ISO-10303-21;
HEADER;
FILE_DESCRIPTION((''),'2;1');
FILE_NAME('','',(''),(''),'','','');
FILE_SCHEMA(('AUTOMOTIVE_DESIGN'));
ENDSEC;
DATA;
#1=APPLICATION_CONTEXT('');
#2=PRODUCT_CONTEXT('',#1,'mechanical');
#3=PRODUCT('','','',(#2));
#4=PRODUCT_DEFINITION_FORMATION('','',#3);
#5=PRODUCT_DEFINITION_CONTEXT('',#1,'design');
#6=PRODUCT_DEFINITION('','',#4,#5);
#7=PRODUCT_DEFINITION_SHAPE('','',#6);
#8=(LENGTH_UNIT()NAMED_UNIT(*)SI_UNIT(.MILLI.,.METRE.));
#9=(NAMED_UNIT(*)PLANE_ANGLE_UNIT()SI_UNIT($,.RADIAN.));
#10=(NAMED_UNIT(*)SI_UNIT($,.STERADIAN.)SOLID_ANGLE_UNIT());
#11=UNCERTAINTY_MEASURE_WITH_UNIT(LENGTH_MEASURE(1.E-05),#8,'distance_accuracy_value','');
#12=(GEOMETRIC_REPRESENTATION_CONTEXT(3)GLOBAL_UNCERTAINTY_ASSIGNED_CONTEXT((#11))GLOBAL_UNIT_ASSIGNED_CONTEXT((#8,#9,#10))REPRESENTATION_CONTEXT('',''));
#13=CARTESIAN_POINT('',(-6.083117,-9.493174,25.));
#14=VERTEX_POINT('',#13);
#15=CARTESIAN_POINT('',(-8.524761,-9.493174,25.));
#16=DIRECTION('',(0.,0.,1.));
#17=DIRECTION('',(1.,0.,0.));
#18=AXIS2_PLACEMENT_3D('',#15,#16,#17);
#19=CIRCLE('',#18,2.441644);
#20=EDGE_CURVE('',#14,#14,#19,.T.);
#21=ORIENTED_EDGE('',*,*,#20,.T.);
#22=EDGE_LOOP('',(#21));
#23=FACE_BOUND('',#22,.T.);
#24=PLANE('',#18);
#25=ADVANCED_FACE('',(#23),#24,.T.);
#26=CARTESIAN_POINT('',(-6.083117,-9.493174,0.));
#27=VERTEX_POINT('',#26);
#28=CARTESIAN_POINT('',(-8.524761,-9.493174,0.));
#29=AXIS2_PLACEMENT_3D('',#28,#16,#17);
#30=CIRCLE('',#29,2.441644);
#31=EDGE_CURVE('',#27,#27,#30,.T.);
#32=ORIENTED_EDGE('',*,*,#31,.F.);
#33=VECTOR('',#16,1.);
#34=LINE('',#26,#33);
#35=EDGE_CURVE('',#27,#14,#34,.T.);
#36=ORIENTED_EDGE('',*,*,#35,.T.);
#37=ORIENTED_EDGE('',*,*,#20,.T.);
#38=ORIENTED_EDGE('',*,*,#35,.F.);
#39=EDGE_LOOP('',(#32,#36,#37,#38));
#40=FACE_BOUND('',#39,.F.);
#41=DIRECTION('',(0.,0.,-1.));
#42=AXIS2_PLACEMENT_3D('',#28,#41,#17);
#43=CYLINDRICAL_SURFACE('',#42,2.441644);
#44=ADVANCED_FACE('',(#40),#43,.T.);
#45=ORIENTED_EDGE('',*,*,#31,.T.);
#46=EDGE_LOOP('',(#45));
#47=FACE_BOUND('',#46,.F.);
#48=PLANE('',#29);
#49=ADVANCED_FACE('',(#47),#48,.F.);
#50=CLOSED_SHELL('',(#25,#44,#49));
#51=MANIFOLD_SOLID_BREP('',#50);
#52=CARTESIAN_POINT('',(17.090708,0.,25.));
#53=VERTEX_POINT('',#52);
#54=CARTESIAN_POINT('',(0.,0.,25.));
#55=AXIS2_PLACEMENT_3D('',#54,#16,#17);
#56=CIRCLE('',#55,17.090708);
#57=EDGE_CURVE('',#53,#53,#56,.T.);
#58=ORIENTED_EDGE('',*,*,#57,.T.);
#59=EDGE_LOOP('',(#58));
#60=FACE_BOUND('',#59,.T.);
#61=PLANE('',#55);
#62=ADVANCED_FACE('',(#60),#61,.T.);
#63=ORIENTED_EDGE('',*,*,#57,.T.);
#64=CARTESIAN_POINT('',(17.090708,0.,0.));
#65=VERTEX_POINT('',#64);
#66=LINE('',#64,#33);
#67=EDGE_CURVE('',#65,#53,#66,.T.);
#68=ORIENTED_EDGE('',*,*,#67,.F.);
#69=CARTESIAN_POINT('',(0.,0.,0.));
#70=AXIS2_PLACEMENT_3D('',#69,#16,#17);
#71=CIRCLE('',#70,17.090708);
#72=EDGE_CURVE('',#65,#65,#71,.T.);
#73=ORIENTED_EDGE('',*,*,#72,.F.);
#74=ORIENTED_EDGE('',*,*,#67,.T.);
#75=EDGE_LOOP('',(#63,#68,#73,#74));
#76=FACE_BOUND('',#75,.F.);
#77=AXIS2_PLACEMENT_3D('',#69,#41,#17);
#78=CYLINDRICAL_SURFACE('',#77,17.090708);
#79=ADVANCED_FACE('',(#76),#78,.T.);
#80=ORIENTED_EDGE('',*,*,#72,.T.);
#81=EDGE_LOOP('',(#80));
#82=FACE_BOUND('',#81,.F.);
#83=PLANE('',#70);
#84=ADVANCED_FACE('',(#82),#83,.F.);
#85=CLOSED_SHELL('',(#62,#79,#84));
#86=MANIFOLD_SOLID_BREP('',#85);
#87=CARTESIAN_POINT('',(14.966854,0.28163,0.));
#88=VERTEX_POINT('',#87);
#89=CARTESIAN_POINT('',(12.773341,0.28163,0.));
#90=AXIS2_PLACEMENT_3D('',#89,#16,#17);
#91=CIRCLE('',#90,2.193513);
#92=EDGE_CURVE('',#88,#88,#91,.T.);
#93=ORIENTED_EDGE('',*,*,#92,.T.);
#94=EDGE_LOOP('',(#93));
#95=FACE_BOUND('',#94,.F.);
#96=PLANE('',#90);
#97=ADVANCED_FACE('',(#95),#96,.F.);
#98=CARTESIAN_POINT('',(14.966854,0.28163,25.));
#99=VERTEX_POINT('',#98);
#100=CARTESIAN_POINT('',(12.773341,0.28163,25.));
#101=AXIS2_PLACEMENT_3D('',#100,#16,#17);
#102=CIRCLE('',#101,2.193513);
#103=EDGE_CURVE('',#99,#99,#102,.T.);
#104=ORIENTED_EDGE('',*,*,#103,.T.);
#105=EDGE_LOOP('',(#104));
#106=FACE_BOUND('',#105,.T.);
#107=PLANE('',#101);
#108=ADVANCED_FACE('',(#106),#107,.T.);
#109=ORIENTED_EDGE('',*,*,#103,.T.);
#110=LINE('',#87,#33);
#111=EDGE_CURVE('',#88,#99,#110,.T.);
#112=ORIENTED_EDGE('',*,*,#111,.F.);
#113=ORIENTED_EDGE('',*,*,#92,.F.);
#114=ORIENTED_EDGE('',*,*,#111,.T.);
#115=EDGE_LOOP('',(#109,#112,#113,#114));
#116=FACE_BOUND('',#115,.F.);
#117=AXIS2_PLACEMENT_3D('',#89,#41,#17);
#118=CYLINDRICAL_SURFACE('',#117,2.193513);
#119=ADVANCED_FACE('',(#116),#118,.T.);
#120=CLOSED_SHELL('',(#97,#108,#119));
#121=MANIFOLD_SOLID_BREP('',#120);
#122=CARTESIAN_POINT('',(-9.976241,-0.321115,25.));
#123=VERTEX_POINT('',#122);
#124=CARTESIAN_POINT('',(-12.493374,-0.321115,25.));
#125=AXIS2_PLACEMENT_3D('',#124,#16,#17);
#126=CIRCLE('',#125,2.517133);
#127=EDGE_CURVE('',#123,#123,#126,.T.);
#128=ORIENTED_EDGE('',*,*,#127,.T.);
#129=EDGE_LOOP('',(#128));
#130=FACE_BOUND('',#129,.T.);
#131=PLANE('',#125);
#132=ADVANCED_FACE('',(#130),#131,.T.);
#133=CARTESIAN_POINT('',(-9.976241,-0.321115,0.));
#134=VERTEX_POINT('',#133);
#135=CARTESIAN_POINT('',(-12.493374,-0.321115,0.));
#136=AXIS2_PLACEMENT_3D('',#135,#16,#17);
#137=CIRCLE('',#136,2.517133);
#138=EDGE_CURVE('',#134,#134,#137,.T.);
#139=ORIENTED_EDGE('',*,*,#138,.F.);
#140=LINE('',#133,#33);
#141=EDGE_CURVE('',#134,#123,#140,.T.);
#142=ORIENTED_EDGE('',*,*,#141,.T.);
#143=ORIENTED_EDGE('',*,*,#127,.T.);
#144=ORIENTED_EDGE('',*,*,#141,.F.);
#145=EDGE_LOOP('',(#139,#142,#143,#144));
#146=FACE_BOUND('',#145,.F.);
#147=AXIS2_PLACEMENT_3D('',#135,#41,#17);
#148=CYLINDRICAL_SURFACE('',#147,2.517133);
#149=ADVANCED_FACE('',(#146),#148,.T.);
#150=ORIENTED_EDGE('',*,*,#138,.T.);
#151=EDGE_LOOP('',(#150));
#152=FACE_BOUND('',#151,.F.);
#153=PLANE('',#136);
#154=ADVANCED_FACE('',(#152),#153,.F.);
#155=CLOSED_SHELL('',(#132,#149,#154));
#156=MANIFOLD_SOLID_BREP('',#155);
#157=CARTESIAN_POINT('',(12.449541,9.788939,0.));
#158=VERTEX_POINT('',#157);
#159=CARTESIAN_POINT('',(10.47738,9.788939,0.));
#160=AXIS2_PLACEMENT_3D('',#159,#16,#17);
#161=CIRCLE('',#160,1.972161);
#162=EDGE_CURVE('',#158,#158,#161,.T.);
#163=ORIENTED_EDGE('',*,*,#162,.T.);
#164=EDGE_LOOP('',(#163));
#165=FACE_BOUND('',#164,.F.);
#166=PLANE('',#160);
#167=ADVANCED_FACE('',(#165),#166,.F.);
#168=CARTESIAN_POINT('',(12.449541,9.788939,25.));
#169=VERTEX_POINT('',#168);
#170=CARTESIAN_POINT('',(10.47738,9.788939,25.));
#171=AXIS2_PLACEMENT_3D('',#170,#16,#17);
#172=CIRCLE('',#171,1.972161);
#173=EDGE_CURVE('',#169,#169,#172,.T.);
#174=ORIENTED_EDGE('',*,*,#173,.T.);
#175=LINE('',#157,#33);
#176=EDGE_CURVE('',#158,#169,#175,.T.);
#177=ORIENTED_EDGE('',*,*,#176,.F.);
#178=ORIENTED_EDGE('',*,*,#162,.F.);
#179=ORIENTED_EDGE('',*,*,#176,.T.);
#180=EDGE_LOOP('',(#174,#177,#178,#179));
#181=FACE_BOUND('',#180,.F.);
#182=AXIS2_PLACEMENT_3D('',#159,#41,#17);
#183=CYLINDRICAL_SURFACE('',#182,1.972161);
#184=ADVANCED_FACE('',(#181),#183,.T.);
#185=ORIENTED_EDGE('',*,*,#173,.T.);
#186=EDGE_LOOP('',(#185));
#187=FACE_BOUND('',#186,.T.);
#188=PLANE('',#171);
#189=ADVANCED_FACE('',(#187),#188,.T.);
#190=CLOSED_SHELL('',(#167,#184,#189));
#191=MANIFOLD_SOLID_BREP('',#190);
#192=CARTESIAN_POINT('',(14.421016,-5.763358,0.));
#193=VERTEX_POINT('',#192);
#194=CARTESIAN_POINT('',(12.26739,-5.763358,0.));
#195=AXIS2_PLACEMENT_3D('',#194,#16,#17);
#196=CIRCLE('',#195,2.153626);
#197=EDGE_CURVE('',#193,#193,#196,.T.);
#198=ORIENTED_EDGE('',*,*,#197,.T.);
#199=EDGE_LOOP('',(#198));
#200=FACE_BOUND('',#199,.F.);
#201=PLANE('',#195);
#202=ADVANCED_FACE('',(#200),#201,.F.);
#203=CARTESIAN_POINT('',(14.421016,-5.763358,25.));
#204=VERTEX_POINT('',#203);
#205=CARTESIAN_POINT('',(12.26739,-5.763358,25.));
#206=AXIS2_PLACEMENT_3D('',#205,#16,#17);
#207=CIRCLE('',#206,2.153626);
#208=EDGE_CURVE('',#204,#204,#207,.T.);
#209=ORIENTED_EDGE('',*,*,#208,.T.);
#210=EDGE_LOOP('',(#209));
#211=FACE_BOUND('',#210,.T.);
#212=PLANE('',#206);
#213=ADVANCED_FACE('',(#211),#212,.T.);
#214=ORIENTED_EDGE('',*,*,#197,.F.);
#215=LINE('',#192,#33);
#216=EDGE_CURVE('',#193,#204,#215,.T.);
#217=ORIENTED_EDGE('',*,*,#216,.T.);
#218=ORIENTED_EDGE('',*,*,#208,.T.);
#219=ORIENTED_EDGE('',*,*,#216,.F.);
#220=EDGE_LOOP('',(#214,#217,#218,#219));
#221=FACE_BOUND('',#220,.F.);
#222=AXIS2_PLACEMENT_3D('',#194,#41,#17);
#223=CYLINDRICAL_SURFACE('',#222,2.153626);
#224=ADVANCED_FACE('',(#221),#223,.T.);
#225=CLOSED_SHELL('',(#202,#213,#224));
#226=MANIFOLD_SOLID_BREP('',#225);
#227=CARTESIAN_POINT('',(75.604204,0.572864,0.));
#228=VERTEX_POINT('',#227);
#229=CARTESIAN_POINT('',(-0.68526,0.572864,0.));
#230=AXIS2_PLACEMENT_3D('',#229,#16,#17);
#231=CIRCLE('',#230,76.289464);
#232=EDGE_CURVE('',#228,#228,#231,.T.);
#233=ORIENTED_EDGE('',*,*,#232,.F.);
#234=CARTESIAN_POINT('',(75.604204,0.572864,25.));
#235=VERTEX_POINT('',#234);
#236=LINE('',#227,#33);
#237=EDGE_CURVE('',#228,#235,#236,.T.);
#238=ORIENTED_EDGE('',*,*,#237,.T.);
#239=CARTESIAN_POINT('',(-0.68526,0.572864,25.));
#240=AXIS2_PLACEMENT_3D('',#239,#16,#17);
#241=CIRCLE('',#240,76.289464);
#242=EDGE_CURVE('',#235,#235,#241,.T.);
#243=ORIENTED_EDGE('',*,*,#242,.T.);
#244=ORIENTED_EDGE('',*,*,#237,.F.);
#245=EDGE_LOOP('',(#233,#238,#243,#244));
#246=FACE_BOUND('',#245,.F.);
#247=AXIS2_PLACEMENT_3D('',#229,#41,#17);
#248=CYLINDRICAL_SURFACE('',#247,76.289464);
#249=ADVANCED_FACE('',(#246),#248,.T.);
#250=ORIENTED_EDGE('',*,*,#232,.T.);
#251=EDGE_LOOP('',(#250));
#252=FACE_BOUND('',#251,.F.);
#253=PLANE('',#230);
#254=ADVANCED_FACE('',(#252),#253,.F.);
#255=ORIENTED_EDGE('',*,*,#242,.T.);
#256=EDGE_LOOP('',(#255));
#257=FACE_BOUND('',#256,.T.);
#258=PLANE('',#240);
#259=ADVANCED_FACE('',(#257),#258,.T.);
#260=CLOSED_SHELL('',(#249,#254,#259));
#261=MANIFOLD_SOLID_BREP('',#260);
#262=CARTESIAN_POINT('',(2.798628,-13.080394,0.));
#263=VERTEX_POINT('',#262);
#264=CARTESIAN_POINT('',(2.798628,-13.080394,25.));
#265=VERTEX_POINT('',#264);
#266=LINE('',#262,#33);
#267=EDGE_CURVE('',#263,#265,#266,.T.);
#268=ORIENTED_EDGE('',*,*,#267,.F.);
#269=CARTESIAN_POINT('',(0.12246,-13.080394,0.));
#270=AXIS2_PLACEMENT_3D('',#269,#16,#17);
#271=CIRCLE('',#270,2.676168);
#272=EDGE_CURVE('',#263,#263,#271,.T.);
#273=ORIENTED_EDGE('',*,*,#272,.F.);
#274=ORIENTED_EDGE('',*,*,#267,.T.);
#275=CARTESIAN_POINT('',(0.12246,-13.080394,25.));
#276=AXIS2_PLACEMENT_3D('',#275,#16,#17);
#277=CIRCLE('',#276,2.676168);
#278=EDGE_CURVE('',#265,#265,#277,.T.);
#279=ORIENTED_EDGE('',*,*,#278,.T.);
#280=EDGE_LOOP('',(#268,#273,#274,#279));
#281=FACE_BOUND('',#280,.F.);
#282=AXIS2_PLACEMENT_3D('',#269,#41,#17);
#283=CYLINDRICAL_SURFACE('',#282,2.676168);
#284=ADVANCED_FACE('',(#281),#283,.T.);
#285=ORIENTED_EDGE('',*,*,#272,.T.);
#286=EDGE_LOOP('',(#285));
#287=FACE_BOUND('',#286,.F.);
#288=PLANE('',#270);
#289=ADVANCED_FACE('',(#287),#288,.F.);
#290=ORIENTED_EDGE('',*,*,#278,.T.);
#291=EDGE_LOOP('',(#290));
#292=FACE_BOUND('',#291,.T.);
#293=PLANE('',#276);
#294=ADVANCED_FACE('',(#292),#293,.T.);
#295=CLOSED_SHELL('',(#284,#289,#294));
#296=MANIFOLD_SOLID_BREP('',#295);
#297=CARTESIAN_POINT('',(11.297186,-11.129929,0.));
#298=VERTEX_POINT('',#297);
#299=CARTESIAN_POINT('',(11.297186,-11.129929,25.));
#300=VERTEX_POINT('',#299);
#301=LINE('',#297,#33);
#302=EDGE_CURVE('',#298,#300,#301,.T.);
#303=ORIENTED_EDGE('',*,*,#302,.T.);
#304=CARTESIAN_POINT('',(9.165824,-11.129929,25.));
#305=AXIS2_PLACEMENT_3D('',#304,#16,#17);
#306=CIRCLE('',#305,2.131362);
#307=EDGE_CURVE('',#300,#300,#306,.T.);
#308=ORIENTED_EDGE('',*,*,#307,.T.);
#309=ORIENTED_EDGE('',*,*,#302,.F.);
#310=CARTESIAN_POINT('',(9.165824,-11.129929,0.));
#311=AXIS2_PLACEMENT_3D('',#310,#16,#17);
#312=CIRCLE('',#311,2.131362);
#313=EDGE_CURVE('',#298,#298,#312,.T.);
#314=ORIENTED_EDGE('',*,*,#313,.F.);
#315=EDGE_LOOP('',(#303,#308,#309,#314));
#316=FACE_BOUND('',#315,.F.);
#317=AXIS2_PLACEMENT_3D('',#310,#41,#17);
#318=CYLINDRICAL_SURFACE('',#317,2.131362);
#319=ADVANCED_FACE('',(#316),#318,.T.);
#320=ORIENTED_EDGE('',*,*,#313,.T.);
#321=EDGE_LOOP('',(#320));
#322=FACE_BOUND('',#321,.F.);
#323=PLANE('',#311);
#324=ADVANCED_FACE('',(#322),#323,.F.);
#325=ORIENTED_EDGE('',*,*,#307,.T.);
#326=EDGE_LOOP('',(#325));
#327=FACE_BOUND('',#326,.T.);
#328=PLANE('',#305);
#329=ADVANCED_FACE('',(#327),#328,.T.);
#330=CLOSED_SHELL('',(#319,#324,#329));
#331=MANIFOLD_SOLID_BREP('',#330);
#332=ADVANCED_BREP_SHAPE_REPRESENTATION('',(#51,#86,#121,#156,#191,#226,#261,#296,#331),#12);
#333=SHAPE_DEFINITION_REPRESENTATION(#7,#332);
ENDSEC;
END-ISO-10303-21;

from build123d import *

# Parameters (mm, degrees)
F5_R      = 1.972161
F5_R_2    = 2.517133
F5_R_3    = 2.441644
F5_R_4    = 2.676168
F5_R_5    = 2.131362
F5_R_6    = 2.153626
F5_R_7    = 2.193513
F7_DEPTH  = 25
F0_R      = 17.090708
F8_DEPTH  = 25
F3_R      = 2.330899
F9_DEPTH  = 25
F4_R      = 2.406581
F10_DEPTH = 25
F6_R      = 76.289464
F11_DEPTH = 25


with BuildPart() as f7:
    # F5 (on Top) → F7 (new body)
    with BuildSketch(Plane.XY):
        with Locations((10.47738, 9.788939)):
            Circle(F5_R)
        with Locations((-12.493374, -0.321115)):
            Circle(F5_R_2)
        with Locations((-8.524761, -9.493174)):
            Circle(F5_R_3)
        with Locations((0.12246, -13.080394)):
            Circle(F5_R_4)
        with Locations((9.165824, -11.129929)):
            Circle(F5_R_5)
        with Locations((12.26739, -5.763358)):
            Circle(F5_R_6)
        with Locations((12.773341, 0.28163)):
            Circle(F5_R_7)
    extrude(amount=F7_DEPTH)


with BuildPart() as f8:
    # F0 (on Top) → F8 (new body)
    with BuildSketch(Plane.XY):
        Circle(F0_R)
    extrude(amount=F8_DEPTH)

    # F3 (on face) → F9 (join)
    with BuildSketch(Plane.XY):
        with Locations((-10.025119, 9.261301)):
            Circle(F3_R)
    extrude(amount=F9_DEPTH)

    # F4 (on face) → F10 (join)
    with BuildSketch(Plane.XY):
        with Locations((0.306891, 11.839189)):
            Circle(F4_R)
    extrude(amount=F10_DEPTH)


with BuildPart() as f11:
    # F6 (on Top) → F11 (new body)
    with BuildSketch(Plane.XY):
        with Locations((-0.68526, 0.572864)):
            Circle(F6_R)
    extrude(amount=F11_DEPTH)


solid = Compound([f7.part, f8.part, f11.part])
